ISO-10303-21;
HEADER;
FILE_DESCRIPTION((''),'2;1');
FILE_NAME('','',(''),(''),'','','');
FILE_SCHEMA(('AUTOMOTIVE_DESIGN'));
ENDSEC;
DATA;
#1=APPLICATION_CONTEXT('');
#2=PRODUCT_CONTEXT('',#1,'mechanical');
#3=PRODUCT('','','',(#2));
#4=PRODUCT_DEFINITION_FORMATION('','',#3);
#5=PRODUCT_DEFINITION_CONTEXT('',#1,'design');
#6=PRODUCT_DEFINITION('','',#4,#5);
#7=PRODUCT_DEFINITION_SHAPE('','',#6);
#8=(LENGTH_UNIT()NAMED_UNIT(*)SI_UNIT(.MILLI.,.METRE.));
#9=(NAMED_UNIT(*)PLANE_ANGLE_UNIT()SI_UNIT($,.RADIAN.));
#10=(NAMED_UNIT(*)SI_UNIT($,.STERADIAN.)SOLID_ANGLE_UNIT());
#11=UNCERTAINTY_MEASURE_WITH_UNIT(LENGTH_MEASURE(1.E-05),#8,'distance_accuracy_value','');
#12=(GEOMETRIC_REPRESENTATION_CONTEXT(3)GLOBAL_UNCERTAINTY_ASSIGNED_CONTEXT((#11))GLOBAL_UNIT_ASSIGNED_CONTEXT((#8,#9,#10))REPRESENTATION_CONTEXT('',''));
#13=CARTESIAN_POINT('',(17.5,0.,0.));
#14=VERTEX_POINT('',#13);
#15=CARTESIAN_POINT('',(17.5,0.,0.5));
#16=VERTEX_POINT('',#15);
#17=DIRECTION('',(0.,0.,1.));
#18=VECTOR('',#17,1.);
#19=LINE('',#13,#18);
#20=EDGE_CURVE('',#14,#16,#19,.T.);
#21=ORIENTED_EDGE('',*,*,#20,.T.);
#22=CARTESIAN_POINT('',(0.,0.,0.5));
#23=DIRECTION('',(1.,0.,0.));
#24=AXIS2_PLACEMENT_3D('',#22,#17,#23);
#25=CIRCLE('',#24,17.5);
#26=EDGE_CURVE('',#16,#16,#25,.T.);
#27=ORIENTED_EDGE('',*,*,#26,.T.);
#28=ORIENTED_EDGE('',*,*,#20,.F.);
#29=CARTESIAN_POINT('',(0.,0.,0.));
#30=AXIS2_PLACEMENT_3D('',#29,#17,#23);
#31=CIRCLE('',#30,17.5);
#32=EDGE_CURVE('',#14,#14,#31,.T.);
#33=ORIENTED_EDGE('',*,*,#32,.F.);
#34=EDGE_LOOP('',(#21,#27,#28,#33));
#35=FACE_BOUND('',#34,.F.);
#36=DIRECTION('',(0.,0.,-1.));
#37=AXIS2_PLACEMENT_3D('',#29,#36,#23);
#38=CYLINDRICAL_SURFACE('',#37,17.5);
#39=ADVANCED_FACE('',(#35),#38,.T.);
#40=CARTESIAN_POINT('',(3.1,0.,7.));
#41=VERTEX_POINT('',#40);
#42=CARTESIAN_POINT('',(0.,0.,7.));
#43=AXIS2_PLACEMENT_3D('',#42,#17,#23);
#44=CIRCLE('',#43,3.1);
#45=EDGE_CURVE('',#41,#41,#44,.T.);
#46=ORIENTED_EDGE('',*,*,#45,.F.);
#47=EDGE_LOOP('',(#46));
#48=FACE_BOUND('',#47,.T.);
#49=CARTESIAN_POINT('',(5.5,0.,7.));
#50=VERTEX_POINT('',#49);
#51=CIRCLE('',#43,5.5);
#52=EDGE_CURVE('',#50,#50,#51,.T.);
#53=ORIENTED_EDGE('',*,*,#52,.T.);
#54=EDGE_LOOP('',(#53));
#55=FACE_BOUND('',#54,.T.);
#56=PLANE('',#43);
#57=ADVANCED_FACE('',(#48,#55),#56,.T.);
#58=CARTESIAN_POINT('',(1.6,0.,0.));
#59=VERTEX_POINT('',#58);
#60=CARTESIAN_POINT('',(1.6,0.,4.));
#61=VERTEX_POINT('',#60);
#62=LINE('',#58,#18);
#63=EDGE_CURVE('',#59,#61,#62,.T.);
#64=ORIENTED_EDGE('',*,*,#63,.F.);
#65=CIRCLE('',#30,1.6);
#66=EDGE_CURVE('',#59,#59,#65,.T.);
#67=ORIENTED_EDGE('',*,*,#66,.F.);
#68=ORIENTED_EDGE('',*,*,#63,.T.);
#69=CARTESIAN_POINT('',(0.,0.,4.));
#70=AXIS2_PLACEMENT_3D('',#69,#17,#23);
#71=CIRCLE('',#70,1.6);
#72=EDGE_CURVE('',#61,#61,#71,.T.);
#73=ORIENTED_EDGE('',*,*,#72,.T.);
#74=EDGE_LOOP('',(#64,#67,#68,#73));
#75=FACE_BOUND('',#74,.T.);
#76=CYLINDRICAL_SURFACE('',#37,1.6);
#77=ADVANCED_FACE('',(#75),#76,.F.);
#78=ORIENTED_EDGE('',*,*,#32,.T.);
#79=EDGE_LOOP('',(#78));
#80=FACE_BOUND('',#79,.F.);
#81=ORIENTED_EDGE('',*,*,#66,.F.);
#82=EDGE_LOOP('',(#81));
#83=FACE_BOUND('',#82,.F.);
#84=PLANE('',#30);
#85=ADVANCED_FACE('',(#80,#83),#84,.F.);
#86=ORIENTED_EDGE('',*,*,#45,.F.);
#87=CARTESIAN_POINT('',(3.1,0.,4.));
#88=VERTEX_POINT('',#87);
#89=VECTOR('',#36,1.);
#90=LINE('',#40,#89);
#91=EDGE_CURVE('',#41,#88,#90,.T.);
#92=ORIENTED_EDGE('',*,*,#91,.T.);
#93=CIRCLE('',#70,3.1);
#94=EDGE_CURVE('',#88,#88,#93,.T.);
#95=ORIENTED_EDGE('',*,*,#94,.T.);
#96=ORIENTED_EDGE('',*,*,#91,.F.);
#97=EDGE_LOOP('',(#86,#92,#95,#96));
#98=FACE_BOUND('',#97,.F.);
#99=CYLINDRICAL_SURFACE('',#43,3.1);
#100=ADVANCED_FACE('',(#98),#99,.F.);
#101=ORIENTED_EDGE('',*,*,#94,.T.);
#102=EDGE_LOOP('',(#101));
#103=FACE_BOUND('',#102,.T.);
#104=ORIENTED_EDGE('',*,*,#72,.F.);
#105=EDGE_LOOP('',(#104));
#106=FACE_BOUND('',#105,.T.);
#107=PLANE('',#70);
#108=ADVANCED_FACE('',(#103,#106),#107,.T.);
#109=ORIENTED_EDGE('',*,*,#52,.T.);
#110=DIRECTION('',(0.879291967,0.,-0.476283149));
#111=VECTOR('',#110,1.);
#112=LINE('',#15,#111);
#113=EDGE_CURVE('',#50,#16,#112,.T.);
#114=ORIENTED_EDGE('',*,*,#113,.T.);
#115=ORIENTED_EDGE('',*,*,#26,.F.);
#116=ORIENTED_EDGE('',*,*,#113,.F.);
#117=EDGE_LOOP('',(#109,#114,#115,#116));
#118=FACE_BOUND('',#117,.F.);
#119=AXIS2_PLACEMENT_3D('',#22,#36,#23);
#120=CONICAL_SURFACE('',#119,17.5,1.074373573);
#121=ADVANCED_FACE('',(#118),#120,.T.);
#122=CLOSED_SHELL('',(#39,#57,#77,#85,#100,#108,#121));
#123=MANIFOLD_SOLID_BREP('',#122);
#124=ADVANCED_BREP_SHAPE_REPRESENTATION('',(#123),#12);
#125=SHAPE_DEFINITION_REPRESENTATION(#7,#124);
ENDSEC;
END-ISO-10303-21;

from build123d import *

# Parameters (mm, degrees)
F0_R     = 17.5
F0_R_2   = 1.6
F1_DEPTH = 7
F2_R     = 3.1
F2_R_2   = 1.6
F3_DEPTH = 3
F4_SIZE2 = 6.5
F4_SIZE  = 12


with BuildPart() as f1:
    # F0 (on Top) → F1 (new body)
    with BuildSketch(Plane.XY):
        Circle(F0_R)
        Circle(F0_R_2, mode=Mode.SUBTRACT)
    extrude(amount=F1_DEPTH)

    # F2 (on face) → F3 (cut)
    with BuildSketch(Plane.XY.offset(7)):
        Circle(F2_R)
        Circle(F2_R_2, mode=Mode.SUBTRACT)
    extrude(amount=-F3_DEPTH, mode=Mode.SUBTRACT)

    # F4
    f4_edges = [f1.edges().sort_by_distance(p)[0] for p in [
        (-17.5, 0, 7),
    ]]
    f4_side = f1.faces().sort_by_distance((-17.005025, 0, 7))[0]
    chamfer(f4_edges, length=F4_SIZE, length2=F4_SIZE2, reference=f4_side)


solid = f1.part
